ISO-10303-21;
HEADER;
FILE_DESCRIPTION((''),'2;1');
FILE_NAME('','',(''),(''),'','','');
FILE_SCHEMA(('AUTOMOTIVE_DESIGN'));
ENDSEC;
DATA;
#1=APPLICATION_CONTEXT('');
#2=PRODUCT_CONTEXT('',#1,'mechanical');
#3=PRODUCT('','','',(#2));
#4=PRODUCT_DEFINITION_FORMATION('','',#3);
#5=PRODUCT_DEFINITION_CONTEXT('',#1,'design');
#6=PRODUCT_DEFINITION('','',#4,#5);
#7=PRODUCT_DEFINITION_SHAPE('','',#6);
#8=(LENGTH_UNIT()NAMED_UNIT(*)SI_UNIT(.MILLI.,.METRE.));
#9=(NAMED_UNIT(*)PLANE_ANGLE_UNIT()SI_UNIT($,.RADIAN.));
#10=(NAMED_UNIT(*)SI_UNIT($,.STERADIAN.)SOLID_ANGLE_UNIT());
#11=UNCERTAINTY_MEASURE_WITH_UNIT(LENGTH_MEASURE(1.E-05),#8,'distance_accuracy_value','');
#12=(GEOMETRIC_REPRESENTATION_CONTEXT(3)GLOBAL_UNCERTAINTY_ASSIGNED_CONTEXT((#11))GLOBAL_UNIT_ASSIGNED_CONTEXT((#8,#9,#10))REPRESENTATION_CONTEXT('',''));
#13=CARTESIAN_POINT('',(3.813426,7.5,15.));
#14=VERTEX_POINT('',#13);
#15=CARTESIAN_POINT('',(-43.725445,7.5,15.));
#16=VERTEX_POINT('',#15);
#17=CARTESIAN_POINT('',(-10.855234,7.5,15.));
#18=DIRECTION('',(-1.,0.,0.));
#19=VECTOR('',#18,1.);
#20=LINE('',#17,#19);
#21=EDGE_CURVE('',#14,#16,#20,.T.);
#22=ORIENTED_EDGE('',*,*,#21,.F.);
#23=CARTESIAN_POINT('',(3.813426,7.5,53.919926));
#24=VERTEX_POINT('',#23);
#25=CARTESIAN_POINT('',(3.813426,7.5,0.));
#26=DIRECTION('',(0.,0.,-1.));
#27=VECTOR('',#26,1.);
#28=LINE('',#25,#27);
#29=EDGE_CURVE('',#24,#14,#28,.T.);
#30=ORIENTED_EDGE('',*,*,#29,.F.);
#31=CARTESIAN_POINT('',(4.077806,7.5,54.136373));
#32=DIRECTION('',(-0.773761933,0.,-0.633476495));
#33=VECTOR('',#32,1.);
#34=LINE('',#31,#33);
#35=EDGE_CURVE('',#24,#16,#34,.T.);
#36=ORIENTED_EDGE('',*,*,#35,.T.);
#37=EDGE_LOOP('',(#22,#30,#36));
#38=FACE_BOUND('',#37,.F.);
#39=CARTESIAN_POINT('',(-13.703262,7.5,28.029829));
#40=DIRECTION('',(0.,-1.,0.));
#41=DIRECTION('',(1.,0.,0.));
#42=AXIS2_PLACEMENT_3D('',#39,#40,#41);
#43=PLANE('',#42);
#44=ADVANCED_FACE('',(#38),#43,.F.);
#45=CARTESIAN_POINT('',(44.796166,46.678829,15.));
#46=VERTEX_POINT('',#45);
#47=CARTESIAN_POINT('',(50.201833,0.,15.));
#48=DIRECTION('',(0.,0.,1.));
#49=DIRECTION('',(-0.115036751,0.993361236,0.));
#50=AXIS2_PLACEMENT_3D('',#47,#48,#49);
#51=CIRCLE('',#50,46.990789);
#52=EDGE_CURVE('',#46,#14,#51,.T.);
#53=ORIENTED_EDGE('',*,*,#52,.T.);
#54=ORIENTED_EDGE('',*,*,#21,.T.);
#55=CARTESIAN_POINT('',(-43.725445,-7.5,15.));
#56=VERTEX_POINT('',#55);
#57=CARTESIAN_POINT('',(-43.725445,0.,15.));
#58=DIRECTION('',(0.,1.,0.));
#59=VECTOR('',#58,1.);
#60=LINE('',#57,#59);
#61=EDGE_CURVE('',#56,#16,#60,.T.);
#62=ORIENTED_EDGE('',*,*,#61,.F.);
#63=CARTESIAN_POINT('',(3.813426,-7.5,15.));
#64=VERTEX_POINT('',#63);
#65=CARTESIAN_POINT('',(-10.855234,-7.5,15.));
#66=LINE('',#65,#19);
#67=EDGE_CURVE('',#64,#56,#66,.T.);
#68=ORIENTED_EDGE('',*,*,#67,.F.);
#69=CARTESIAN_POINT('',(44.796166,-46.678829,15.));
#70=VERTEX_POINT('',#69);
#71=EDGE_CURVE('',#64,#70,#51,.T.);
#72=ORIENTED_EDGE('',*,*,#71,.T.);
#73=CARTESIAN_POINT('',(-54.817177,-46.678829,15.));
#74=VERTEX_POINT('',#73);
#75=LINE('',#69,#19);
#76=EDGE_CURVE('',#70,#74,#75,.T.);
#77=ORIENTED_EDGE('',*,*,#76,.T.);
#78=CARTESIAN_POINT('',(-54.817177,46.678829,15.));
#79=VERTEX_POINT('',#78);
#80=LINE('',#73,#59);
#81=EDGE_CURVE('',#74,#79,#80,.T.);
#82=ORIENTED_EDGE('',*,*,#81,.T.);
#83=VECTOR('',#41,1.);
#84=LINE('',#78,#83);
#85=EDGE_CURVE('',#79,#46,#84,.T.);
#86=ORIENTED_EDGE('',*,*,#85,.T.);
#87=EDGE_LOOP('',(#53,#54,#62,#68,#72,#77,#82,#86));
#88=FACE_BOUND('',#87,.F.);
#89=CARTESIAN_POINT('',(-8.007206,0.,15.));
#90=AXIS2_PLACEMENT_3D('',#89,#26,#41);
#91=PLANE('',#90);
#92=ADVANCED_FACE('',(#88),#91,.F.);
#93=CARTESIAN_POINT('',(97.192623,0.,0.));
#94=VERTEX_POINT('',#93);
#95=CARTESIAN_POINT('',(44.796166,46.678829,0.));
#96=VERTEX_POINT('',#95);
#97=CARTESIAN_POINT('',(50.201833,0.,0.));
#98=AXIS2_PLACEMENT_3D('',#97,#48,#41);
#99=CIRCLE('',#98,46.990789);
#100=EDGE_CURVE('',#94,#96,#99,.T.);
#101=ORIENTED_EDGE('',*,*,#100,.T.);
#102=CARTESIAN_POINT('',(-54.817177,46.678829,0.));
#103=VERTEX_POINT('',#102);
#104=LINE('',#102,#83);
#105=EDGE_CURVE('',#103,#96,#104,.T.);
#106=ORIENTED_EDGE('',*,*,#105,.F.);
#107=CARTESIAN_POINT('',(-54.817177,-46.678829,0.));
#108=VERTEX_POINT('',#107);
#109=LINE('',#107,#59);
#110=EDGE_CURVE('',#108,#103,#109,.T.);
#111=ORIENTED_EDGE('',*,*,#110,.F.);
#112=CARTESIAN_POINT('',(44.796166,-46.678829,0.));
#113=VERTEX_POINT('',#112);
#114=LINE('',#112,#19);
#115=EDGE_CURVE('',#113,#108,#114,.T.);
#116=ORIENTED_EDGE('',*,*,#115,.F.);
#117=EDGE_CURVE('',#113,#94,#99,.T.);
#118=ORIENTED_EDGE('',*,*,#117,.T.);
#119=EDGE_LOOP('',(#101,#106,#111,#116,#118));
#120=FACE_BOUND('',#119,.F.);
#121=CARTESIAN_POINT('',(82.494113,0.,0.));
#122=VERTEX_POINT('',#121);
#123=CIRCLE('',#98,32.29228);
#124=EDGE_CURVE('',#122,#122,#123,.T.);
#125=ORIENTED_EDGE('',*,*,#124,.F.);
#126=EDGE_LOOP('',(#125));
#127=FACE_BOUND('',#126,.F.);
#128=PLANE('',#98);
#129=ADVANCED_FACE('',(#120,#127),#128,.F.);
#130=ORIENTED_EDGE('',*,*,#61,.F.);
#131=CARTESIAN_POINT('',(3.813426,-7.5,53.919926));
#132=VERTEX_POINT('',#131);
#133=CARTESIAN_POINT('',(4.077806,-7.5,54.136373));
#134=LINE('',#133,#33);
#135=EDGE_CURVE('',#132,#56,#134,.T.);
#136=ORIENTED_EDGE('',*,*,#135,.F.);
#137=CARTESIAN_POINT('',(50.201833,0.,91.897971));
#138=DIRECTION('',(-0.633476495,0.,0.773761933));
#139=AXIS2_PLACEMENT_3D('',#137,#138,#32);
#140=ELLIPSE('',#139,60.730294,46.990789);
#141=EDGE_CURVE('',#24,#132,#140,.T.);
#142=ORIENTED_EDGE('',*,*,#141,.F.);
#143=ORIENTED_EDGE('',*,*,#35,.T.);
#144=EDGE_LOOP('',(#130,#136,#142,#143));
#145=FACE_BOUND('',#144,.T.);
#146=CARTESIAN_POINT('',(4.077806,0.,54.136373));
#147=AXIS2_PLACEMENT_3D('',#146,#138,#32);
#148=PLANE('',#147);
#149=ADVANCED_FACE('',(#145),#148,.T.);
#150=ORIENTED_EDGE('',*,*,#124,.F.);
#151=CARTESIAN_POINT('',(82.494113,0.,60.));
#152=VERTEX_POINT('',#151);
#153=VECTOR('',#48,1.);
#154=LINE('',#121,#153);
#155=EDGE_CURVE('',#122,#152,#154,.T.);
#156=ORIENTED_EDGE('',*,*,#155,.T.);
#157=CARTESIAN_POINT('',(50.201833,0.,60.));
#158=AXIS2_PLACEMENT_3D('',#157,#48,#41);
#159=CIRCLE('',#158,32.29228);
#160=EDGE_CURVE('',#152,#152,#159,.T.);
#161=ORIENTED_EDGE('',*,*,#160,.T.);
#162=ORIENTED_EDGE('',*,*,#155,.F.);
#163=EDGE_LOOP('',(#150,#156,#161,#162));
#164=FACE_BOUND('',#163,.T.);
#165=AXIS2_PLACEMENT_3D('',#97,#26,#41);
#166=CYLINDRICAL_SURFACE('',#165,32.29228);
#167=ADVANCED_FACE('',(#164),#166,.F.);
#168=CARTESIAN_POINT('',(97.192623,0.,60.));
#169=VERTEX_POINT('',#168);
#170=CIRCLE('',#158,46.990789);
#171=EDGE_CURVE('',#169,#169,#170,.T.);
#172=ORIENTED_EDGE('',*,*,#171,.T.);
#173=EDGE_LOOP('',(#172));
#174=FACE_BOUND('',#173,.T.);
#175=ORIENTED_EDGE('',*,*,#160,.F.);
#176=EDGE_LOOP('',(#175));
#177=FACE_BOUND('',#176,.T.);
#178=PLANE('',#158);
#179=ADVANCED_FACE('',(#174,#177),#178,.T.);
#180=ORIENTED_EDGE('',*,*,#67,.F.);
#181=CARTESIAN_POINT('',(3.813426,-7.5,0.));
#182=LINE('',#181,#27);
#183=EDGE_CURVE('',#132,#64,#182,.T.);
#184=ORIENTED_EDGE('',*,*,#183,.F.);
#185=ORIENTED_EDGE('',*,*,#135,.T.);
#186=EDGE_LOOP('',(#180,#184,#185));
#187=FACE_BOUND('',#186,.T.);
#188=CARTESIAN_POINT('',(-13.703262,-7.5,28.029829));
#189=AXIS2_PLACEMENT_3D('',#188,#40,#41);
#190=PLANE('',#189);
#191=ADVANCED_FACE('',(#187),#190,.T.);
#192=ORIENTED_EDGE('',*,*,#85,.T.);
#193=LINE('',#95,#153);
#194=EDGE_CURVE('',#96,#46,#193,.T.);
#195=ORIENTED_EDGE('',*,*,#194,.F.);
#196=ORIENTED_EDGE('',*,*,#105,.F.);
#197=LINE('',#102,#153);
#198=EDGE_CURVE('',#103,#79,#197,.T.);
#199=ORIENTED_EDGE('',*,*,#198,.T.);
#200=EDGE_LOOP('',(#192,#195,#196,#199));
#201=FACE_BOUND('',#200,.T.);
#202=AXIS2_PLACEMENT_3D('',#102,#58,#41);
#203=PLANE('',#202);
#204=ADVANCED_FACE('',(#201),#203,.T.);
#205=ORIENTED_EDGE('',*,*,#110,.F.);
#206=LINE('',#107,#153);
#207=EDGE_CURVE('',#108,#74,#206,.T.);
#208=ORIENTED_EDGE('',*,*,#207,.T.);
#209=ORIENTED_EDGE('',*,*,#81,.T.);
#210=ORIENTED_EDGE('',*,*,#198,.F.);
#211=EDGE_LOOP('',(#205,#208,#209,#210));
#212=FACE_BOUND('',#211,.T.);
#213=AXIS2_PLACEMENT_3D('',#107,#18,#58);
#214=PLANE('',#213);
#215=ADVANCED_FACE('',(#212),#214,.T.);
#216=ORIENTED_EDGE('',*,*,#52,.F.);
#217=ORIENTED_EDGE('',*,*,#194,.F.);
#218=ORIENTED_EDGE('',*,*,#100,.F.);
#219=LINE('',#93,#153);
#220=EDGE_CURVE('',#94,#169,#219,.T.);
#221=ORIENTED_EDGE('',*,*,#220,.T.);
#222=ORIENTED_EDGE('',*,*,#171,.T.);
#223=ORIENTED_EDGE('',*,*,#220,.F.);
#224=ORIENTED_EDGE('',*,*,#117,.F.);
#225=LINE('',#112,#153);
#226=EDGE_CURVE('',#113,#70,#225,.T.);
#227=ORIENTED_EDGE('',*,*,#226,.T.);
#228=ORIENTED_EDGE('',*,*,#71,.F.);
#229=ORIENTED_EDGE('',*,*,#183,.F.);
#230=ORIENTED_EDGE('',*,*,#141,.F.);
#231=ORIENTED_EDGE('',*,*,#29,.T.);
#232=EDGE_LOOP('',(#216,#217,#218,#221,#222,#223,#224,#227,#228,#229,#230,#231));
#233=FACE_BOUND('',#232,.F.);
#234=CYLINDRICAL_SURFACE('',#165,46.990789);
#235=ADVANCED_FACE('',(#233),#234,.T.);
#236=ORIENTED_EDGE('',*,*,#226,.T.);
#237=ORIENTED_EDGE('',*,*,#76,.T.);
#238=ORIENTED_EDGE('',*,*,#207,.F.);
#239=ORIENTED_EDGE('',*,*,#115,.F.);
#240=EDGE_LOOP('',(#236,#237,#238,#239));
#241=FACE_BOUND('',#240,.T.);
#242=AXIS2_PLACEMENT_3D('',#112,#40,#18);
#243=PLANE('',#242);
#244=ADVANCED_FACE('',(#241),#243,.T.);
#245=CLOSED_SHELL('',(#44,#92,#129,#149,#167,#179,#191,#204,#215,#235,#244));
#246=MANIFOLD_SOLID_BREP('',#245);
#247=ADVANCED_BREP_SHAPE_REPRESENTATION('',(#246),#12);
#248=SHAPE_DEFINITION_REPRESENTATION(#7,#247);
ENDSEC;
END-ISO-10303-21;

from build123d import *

# Parameters (mm, degrees)
F0_R     = 46.9907893429
F0_R_2   = 32.2922795361
F1_DEPTH = 60
F3_DEPTH = 15
F5_DEPTH = 7.5


with BuildPart() as f1:
    # F0 (on Top) → F1 (new body)
    with BuildSketch(Plane.XY):
        with Locations((50.2018332481, 0)):
            Circle(F0_R)
        with Locations((50.2018332481, 0)):
            Circle(F0_R_2, mode=Mode.SUBTRACT)
    extrude(amount=F1_DEPTH)

    # F2 (on face) → F3 (join)
    with BuildSketch(Plane(origin=(0, 0, 0), x_dir=(1, 0, 0), z_dir=(0, 0, -1))):
        with BuildLine():
            ThreePointArc((44.7961655187, -46.6788286), (3.2110439053, 0), (44.7961655187, 46.6788286))
            Line((44.7961655187, 46.6788286), (-54.8171773669, 46.6788286))
            Line((-54.8171773669, 46.6788286), (-54.8171773669, -46.6788286))
            Line((-54.8171773669, -46.6788286), (44.7961655187, -46.6788286))
        make_face()
    extrude(amount=-F3_DEPTH)

    # F4 (on Front) → F5 (join, symmetric)
    with BuildSketch(Plane.XZ):
        Polygon((4.0778061375, 54.1363731027), (-44.1848946292, 14.6238496527), (4.0778061375, 14.6238496527), align=None)
    extrude(amount=F5_DEPTH, both=True)


solid = f1.part
